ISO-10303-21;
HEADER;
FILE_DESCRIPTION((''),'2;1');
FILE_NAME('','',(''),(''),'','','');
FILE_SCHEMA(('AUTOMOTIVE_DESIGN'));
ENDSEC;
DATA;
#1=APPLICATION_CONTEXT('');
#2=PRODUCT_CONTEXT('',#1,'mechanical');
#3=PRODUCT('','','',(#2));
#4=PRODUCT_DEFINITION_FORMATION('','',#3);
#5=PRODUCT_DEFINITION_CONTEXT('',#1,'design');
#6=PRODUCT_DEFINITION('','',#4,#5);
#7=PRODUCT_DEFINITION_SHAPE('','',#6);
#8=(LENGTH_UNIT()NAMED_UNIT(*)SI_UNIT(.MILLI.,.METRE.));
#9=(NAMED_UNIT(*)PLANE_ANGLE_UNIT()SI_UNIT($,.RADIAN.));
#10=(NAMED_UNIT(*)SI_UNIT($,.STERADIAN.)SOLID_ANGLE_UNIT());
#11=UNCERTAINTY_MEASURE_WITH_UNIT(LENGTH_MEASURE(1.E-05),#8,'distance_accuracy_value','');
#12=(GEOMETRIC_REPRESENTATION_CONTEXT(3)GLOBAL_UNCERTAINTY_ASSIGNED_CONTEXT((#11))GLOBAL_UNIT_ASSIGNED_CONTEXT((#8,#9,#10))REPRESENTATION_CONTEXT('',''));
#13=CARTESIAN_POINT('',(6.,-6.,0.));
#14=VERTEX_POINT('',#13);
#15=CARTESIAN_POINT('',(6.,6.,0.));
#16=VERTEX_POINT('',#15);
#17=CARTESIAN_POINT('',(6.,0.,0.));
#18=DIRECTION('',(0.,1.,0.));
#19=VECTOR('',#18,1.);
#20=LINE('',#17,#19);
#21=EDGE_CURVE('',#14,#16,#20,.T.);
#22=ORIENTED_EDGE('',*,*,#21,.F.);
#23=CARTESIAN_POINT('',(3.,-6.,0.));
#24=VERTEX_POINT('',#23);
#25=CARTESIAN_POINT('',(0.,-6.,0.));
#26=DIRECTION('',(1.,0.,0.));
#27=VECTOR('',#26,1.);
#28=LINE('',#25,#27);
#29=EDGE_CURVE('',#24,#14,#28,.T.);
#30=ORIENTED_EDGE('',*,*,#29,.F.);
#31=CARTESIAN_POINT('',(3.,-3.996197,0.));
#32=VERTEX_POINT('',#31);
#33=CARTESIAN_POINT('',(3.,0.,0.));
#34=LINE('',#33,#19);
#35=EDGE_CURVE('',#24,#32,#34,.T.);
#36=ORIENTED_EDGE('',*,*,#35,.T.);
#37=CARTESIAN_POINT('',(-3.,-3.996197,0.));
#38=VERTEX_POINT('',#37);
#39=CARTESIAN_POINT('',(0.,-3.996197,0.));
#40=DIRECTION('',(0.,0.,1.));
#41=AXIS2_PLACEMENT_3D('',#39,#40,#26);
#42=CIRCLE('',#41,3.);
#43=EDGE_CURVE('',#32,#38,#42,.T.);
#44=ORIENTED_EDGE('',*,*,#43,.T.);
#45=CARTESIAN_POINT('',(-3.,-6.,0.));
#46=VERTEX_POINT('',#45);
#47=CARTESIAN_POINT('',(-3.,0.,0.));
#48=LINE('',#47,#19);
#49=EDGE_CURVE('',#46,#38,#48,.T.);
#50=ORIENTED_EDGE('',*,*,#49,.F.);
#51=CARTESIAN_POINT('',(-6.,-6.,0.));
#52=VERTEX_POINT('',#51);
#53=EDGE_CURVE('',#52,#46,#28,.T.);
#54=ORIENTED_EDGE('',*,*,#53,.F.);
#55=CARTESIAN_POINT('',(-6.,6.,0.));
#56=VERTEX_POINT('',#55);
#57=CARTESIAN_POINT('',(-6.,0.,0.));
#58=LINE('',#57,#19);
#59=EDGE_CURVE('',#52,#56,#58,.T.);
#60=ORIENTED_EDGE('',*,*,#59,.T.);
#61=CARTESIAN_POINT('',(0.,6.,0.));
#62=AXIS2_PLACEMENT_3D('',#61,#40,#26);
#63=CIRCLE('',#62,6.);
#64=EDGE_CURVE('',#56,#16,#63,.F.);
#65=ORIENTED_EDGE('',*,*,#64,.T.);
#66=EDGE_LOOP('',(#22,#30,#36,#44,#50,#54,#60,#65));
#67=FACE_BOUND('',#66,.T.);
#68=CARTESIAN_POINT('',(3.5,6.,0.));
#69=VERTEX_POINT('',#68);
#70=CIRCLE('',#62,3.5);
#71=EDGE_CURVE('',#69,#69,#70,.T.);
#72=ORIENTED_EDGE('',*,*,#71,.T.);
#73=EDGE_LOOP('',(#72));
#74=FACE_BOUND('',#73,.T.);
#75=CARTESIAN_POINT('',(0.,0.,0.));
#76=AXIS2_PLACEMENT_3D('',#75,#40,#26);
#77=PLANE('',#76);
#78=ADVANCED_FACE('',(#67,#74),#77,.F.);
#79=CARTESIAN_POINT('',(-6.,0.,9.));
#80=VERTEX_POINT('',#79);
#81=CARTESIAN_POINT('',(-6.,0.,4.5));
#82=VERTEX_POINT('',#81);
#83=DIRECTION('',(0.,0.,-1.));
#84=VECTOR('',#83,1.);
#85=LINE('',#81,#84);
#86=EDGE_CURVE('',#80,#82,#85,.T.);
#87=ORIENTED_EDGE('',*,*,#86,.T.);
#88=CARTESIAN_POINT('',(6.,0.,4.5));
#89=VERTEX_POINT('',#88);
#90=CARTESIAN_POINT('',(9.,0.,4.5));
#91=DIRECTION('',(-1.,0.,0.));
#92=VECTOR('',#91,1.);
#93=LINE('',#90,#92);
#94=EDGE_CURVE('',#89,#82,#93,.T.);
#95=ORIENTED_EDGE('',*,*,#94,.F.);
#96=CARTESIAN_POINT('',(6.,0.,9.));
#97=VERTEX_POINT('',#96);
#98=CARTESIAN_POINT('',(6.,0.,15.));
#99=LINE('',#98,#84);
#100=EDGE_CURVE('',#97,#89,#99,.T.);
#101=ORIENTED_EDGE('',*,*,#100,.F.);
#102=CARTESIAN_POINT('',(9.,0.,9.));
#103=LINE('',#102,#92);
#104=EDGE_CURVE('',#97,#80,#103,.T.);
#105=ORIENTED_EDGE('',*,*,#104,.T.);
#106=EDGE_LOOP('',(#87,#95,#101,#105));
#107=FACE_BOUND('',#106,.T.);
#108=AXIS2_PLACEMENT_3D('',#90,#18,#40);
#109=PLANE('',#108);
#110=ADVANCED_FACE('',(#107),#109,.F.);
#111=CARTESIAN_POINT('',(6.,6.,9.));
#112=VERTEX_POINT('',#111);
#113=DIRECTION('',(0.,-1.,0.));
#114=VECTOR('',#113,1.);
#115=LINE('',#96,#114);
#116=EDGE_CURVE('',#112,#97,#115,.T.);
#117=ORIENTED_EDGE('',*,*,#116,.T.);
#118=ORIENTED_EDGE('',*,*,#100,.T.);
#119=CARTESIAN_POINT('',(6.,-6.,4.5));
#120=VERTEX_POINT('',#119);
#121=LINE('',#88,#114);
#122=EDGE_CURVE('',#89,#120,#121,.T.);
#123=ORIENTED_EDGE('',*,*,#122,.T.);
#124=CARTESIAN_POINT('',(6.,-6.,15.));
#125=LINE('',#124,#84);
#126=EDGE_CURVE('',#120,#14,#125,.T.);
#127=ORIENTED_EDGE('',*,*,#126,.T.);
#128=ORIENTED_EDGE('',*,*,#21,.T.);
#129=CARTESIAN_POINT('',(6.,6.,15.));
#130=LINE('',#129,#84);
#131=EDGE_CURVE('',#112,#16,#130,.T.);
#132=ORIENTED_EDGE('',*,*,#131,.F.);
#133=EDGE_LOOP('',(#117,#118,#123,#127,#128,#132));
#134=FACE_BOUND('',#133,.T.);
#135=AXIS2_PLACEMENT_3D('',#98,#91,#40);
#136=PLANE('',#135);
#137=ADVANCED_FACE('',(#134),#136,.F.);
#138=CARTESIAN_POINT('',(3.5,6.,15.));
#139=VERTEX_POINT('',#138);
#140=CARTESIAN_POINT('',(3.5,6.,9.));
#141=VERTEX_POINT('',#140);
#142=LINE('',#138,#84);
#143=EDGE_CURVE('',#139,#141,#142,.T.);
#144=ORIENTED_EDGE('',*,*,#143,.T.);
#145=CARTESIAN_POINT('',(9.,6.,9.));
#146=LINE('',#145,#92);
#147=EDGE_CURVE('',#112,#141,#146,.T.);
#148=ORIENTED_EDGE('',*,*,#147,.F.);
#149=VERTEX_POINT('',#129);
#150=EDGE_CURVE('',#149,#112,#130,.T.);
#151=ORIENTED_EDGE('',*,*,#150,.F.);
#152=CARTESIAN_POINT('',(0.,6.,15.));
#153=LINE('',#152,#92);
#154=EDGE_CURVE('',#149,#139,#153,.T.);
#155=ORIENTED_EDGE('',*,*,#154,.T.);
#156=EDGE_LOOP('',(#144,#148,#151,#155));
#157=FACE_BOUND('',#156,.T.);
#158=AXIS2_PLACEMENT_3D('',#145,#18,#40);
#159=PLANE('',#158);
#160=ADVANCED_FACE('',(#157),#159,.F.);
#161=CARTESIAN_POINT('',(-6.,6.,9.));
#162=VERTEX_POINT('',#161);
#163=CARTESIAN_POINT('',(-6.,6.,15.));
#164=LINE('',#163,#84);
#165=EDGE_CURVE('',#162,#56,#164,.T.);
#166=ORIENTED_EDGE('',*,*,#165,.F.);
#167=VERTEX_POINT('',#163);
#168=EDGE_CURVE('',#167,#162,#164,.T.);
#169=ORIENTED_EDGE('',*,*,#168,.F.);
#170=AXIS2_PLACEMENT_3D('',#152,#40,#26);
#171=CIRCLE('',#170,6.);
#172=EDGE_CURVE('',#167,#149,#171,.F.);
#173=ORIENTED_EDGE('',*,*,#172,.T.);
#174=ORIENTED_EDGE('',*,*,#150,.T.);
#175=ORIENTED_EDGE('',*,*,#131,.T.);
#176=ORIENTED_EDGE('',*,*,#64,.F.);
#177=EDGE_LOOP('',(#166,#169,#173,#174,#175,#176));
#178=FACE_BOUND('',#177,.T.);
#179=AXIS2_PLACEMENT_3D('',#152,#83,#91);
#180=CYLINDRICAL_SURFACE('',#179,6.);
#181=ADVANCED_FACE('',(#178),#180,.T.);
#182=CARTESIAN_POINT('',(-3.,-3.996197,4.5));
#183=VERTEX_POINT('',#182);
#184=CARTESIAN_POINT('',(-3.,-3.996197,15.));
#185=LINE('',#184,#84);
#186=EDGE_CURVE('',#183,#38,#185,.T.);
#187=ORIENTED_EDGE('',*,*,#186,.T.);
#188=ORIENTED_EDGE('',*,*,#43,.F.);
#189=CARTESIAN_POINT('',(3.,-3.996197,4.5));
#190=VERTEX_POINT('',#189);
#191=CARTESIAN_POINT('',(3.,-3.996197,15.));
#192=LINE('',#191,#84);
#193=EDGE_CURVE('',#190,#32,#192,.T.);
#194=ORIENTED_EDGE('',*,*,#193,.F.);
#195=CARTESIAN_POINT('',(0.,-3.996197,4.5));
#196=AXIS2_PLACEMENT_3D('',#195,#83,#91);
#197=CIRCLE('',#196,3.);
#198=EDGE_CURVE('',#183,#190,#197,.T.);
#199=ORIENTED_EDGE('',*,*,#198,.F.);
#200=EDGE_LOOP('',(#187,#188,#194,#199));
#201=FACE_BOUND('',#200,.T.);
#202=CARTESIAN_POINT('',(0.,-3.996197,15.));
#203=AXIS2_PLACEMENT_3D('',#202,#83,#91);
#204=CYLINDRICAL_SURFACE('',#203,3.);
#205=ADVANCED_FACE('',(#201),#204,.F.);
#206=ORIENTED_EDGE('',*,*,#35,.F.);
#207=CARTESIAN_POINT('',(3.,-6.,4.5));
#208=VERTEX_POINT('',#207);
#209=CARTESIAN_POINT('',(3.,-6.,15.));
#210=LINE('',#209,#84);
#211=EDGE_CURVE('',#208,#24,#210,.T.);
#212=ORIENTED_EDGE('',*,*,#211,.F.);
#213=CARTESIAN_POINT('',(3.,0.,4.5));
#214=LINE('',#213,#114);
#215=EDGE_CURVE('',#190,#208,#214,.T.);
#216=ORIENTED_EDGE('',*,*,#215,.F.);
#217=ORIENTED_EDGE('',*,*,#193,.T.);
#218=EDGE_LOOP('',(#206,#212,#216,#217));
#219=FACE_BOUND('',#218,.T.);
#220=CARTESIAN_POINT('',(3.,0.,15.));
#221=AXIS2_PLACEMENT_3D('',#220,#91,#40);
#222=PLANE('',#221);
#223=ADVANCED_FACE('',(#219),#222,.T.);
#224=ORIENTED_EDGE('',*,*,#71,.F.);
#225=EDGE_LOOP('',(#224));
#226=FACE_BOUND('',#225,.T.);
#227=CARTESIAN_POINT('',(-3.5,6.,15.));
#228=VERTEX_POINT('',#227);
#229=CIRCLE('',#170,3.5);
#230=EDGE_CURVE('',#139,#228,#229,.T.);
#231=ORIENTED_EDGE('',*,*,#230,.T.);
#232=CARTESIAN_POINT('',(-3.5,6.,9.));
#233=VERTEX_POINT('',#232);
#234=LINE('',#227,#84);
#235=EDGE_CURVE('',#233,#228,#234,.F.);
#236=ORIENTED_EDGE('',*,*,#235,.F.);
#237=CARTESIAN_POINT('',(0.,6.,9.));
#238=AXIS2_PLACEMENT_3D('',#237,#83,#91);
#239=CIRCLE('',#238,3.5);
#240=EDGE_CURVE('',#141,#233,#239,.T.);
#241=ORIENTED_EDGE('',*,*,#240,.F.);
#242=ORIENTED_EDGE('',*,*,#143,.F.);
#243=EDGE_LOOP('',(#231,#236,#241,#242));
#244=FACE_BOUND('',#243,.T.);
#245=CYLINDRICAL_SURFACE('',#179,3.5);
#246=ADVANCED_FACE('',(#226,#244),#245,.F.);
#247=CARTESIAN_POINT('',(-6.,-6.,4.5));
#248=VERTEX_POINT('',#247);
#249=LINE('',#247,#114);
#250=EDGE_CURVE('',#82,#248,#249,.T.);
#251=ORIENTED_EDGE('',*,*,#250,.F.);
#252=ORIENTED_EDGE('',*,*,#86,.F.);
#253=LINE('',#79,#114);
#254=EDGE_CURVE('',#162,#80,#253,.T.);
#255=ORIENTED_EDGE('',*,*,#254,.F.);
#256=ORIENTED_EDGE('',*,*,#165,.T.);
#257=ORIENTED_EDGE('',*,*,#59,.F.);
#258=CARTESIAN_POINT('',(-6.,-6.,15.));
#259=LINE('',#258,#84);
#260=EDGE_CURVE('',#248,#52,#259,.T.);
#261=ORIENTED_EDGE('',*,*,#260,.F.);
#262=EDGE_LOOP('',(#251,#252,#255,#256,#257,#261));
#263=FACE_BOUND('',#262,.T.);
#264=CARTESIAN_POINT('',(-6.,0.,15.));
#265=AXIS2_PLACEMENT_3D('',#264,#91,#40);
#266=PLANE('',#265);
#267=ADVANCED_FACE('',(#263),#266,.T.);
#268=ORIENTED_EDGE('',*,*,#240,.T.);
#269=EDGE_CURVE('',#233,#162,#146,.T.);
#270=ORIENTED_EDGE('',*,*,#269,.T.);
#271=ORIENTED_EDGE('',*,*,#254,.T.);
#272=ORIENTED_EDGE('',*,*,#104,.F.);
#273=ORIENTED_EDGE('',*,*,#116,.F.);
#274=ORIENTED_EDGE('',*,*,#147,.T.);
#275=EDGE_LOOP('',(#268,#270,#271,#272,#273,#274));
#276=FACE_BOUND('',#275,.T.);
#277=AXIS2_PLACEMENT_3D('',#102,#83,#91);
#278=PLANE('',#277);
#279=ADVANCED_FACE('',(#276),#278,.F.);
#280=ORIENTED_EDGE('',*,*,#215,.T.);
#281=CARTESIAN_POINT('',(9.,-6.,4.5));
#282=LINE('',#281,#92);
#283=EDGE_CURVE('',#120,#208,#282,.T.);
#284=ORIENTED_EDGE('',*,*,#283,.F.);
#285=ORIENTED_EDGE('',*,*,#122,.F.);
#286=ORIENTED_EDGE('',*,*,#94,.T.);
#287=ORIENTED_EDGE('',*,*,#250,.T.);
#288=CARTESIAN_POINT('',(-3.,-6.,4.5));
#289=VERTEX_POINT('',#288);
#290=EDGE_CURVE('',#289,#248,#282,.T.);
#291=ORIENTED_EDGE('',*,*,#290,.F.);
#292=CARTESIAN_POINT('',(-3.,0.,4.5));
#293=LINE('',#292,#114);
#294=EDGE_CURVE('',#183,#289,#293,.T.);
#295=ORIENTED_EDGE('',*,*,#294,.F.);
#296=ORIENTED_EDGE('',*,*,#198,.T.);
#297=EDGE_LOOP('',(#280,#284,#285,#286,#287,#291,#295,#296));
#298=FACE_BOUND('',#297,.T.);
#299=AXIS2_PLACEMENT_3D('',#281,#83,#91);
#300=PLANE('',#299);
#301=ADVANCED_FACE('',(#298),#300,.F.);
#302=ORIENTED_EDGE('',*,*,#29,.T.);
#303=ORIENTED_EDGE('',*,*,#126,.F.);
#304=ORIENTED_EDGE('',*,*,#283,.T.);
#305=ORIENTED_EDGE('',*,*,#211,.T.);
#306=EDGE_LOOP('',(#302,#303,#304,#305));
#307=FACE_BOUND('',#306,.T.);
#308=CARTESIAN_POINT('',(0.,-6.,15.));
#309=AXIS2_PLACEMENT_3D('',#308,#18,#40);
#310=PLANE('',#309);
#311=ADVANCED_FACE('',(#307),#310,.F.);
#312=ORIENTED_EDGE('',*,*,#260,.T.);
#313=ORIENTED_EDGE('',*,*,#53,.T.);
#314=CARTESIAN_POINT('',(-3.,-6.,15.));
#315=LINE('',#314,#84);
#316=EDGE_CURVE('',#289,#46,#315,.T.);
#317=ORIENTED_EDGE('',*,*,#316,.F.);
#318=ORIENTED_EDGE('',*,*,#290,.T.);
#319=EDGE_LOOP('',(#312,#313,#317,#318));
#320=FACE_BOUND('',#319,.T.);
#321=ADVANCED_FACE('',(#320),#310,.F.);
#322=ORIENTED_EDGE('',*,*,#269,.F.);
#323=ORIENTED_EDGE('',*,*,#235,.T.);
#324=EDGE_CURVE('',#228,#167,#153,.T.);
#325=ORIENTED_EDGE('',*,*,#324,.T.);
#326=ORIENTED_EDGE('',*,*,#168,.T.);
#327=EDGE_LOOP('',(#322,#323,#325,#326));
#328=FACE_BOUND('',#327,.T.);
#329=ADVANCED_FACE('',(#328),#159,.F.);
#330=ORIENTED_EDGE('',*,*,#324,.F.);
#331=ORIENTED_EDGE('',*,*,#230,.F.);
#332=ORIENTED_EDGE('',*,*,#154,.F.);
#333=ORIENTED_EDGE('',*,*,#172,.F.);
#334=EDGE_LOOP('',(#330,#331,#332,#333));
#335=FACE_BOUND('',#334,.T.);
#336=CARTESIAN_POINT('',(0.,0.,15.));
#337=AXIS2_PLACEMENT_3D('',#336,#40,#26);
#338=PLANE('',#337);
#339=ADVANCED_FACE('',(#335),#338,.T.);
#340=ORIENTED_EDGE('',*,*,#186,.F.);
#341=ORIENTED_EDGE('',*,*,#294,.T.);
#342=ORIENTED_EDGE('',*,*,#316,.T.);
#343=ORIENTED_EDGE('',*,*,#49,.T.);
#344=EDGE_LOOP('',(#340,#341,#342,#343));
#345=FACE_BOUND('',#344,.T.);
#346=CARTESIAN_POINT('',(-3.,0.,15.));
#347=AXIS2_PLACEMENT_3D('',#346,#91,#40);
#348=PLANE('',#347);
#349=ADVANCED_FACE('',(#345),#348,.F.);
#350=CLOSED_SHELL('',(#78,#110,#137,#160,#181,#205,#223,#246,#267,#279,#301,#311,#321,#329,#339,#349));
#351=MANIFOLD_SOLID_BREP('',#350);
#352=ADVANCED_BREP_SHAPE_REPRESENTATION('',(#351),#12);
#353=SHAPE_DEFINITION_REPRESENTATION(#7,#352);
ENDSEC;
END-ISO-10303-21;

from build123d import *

# Parameters (mm, degrees)
SKETCH1_R           = 3.5
BOSS_EXTRUDE1_DEPTH = 15
CUT_EXTRUDE1_DEPTH  = 15


with BuildPart() as part:
    # Sketch1 → Boss-Extrude1 (new body)
    with BuildSketch(Plane.XY):
        with BuildLine():
            Line((-6, 6), (-6, -6))
            Line((-6, -6), (-3, -6))
            Line((-3, -6), (-3, -3.996197441))
            ThreePointArc((-3, -3.996197441), (0, -0.996197441), (3, -3.996197441))
            Line((3, -3.996197441), (3, -6))
            Line((3, -6), (6, -6))
            Line((6, -6), (6, 6))
            ThreePointArc((6, 6), (0, 12), (-6, 6))
        make_face()
        with Locations((0, 6)):
            Circle(SKETCH1_R, mode=Mode.SUBTRACT)
    extrude(amount=BOSS_EXTRUDE1_DEPTH)

    # Sketch2 → Cut-Extrude1 (cut)
    with BuildSketch(Plane.ZY.offset(6)):
        Polygon((4.5, -6), (4.5, 0), (9, 0), (9, 6), (15, 6), (15, -6), align=None)
    extrude(amount=-CUT_EXTRUDE1_DEPTH, mode=Mode.SUBTRACT)


solid = part.part
